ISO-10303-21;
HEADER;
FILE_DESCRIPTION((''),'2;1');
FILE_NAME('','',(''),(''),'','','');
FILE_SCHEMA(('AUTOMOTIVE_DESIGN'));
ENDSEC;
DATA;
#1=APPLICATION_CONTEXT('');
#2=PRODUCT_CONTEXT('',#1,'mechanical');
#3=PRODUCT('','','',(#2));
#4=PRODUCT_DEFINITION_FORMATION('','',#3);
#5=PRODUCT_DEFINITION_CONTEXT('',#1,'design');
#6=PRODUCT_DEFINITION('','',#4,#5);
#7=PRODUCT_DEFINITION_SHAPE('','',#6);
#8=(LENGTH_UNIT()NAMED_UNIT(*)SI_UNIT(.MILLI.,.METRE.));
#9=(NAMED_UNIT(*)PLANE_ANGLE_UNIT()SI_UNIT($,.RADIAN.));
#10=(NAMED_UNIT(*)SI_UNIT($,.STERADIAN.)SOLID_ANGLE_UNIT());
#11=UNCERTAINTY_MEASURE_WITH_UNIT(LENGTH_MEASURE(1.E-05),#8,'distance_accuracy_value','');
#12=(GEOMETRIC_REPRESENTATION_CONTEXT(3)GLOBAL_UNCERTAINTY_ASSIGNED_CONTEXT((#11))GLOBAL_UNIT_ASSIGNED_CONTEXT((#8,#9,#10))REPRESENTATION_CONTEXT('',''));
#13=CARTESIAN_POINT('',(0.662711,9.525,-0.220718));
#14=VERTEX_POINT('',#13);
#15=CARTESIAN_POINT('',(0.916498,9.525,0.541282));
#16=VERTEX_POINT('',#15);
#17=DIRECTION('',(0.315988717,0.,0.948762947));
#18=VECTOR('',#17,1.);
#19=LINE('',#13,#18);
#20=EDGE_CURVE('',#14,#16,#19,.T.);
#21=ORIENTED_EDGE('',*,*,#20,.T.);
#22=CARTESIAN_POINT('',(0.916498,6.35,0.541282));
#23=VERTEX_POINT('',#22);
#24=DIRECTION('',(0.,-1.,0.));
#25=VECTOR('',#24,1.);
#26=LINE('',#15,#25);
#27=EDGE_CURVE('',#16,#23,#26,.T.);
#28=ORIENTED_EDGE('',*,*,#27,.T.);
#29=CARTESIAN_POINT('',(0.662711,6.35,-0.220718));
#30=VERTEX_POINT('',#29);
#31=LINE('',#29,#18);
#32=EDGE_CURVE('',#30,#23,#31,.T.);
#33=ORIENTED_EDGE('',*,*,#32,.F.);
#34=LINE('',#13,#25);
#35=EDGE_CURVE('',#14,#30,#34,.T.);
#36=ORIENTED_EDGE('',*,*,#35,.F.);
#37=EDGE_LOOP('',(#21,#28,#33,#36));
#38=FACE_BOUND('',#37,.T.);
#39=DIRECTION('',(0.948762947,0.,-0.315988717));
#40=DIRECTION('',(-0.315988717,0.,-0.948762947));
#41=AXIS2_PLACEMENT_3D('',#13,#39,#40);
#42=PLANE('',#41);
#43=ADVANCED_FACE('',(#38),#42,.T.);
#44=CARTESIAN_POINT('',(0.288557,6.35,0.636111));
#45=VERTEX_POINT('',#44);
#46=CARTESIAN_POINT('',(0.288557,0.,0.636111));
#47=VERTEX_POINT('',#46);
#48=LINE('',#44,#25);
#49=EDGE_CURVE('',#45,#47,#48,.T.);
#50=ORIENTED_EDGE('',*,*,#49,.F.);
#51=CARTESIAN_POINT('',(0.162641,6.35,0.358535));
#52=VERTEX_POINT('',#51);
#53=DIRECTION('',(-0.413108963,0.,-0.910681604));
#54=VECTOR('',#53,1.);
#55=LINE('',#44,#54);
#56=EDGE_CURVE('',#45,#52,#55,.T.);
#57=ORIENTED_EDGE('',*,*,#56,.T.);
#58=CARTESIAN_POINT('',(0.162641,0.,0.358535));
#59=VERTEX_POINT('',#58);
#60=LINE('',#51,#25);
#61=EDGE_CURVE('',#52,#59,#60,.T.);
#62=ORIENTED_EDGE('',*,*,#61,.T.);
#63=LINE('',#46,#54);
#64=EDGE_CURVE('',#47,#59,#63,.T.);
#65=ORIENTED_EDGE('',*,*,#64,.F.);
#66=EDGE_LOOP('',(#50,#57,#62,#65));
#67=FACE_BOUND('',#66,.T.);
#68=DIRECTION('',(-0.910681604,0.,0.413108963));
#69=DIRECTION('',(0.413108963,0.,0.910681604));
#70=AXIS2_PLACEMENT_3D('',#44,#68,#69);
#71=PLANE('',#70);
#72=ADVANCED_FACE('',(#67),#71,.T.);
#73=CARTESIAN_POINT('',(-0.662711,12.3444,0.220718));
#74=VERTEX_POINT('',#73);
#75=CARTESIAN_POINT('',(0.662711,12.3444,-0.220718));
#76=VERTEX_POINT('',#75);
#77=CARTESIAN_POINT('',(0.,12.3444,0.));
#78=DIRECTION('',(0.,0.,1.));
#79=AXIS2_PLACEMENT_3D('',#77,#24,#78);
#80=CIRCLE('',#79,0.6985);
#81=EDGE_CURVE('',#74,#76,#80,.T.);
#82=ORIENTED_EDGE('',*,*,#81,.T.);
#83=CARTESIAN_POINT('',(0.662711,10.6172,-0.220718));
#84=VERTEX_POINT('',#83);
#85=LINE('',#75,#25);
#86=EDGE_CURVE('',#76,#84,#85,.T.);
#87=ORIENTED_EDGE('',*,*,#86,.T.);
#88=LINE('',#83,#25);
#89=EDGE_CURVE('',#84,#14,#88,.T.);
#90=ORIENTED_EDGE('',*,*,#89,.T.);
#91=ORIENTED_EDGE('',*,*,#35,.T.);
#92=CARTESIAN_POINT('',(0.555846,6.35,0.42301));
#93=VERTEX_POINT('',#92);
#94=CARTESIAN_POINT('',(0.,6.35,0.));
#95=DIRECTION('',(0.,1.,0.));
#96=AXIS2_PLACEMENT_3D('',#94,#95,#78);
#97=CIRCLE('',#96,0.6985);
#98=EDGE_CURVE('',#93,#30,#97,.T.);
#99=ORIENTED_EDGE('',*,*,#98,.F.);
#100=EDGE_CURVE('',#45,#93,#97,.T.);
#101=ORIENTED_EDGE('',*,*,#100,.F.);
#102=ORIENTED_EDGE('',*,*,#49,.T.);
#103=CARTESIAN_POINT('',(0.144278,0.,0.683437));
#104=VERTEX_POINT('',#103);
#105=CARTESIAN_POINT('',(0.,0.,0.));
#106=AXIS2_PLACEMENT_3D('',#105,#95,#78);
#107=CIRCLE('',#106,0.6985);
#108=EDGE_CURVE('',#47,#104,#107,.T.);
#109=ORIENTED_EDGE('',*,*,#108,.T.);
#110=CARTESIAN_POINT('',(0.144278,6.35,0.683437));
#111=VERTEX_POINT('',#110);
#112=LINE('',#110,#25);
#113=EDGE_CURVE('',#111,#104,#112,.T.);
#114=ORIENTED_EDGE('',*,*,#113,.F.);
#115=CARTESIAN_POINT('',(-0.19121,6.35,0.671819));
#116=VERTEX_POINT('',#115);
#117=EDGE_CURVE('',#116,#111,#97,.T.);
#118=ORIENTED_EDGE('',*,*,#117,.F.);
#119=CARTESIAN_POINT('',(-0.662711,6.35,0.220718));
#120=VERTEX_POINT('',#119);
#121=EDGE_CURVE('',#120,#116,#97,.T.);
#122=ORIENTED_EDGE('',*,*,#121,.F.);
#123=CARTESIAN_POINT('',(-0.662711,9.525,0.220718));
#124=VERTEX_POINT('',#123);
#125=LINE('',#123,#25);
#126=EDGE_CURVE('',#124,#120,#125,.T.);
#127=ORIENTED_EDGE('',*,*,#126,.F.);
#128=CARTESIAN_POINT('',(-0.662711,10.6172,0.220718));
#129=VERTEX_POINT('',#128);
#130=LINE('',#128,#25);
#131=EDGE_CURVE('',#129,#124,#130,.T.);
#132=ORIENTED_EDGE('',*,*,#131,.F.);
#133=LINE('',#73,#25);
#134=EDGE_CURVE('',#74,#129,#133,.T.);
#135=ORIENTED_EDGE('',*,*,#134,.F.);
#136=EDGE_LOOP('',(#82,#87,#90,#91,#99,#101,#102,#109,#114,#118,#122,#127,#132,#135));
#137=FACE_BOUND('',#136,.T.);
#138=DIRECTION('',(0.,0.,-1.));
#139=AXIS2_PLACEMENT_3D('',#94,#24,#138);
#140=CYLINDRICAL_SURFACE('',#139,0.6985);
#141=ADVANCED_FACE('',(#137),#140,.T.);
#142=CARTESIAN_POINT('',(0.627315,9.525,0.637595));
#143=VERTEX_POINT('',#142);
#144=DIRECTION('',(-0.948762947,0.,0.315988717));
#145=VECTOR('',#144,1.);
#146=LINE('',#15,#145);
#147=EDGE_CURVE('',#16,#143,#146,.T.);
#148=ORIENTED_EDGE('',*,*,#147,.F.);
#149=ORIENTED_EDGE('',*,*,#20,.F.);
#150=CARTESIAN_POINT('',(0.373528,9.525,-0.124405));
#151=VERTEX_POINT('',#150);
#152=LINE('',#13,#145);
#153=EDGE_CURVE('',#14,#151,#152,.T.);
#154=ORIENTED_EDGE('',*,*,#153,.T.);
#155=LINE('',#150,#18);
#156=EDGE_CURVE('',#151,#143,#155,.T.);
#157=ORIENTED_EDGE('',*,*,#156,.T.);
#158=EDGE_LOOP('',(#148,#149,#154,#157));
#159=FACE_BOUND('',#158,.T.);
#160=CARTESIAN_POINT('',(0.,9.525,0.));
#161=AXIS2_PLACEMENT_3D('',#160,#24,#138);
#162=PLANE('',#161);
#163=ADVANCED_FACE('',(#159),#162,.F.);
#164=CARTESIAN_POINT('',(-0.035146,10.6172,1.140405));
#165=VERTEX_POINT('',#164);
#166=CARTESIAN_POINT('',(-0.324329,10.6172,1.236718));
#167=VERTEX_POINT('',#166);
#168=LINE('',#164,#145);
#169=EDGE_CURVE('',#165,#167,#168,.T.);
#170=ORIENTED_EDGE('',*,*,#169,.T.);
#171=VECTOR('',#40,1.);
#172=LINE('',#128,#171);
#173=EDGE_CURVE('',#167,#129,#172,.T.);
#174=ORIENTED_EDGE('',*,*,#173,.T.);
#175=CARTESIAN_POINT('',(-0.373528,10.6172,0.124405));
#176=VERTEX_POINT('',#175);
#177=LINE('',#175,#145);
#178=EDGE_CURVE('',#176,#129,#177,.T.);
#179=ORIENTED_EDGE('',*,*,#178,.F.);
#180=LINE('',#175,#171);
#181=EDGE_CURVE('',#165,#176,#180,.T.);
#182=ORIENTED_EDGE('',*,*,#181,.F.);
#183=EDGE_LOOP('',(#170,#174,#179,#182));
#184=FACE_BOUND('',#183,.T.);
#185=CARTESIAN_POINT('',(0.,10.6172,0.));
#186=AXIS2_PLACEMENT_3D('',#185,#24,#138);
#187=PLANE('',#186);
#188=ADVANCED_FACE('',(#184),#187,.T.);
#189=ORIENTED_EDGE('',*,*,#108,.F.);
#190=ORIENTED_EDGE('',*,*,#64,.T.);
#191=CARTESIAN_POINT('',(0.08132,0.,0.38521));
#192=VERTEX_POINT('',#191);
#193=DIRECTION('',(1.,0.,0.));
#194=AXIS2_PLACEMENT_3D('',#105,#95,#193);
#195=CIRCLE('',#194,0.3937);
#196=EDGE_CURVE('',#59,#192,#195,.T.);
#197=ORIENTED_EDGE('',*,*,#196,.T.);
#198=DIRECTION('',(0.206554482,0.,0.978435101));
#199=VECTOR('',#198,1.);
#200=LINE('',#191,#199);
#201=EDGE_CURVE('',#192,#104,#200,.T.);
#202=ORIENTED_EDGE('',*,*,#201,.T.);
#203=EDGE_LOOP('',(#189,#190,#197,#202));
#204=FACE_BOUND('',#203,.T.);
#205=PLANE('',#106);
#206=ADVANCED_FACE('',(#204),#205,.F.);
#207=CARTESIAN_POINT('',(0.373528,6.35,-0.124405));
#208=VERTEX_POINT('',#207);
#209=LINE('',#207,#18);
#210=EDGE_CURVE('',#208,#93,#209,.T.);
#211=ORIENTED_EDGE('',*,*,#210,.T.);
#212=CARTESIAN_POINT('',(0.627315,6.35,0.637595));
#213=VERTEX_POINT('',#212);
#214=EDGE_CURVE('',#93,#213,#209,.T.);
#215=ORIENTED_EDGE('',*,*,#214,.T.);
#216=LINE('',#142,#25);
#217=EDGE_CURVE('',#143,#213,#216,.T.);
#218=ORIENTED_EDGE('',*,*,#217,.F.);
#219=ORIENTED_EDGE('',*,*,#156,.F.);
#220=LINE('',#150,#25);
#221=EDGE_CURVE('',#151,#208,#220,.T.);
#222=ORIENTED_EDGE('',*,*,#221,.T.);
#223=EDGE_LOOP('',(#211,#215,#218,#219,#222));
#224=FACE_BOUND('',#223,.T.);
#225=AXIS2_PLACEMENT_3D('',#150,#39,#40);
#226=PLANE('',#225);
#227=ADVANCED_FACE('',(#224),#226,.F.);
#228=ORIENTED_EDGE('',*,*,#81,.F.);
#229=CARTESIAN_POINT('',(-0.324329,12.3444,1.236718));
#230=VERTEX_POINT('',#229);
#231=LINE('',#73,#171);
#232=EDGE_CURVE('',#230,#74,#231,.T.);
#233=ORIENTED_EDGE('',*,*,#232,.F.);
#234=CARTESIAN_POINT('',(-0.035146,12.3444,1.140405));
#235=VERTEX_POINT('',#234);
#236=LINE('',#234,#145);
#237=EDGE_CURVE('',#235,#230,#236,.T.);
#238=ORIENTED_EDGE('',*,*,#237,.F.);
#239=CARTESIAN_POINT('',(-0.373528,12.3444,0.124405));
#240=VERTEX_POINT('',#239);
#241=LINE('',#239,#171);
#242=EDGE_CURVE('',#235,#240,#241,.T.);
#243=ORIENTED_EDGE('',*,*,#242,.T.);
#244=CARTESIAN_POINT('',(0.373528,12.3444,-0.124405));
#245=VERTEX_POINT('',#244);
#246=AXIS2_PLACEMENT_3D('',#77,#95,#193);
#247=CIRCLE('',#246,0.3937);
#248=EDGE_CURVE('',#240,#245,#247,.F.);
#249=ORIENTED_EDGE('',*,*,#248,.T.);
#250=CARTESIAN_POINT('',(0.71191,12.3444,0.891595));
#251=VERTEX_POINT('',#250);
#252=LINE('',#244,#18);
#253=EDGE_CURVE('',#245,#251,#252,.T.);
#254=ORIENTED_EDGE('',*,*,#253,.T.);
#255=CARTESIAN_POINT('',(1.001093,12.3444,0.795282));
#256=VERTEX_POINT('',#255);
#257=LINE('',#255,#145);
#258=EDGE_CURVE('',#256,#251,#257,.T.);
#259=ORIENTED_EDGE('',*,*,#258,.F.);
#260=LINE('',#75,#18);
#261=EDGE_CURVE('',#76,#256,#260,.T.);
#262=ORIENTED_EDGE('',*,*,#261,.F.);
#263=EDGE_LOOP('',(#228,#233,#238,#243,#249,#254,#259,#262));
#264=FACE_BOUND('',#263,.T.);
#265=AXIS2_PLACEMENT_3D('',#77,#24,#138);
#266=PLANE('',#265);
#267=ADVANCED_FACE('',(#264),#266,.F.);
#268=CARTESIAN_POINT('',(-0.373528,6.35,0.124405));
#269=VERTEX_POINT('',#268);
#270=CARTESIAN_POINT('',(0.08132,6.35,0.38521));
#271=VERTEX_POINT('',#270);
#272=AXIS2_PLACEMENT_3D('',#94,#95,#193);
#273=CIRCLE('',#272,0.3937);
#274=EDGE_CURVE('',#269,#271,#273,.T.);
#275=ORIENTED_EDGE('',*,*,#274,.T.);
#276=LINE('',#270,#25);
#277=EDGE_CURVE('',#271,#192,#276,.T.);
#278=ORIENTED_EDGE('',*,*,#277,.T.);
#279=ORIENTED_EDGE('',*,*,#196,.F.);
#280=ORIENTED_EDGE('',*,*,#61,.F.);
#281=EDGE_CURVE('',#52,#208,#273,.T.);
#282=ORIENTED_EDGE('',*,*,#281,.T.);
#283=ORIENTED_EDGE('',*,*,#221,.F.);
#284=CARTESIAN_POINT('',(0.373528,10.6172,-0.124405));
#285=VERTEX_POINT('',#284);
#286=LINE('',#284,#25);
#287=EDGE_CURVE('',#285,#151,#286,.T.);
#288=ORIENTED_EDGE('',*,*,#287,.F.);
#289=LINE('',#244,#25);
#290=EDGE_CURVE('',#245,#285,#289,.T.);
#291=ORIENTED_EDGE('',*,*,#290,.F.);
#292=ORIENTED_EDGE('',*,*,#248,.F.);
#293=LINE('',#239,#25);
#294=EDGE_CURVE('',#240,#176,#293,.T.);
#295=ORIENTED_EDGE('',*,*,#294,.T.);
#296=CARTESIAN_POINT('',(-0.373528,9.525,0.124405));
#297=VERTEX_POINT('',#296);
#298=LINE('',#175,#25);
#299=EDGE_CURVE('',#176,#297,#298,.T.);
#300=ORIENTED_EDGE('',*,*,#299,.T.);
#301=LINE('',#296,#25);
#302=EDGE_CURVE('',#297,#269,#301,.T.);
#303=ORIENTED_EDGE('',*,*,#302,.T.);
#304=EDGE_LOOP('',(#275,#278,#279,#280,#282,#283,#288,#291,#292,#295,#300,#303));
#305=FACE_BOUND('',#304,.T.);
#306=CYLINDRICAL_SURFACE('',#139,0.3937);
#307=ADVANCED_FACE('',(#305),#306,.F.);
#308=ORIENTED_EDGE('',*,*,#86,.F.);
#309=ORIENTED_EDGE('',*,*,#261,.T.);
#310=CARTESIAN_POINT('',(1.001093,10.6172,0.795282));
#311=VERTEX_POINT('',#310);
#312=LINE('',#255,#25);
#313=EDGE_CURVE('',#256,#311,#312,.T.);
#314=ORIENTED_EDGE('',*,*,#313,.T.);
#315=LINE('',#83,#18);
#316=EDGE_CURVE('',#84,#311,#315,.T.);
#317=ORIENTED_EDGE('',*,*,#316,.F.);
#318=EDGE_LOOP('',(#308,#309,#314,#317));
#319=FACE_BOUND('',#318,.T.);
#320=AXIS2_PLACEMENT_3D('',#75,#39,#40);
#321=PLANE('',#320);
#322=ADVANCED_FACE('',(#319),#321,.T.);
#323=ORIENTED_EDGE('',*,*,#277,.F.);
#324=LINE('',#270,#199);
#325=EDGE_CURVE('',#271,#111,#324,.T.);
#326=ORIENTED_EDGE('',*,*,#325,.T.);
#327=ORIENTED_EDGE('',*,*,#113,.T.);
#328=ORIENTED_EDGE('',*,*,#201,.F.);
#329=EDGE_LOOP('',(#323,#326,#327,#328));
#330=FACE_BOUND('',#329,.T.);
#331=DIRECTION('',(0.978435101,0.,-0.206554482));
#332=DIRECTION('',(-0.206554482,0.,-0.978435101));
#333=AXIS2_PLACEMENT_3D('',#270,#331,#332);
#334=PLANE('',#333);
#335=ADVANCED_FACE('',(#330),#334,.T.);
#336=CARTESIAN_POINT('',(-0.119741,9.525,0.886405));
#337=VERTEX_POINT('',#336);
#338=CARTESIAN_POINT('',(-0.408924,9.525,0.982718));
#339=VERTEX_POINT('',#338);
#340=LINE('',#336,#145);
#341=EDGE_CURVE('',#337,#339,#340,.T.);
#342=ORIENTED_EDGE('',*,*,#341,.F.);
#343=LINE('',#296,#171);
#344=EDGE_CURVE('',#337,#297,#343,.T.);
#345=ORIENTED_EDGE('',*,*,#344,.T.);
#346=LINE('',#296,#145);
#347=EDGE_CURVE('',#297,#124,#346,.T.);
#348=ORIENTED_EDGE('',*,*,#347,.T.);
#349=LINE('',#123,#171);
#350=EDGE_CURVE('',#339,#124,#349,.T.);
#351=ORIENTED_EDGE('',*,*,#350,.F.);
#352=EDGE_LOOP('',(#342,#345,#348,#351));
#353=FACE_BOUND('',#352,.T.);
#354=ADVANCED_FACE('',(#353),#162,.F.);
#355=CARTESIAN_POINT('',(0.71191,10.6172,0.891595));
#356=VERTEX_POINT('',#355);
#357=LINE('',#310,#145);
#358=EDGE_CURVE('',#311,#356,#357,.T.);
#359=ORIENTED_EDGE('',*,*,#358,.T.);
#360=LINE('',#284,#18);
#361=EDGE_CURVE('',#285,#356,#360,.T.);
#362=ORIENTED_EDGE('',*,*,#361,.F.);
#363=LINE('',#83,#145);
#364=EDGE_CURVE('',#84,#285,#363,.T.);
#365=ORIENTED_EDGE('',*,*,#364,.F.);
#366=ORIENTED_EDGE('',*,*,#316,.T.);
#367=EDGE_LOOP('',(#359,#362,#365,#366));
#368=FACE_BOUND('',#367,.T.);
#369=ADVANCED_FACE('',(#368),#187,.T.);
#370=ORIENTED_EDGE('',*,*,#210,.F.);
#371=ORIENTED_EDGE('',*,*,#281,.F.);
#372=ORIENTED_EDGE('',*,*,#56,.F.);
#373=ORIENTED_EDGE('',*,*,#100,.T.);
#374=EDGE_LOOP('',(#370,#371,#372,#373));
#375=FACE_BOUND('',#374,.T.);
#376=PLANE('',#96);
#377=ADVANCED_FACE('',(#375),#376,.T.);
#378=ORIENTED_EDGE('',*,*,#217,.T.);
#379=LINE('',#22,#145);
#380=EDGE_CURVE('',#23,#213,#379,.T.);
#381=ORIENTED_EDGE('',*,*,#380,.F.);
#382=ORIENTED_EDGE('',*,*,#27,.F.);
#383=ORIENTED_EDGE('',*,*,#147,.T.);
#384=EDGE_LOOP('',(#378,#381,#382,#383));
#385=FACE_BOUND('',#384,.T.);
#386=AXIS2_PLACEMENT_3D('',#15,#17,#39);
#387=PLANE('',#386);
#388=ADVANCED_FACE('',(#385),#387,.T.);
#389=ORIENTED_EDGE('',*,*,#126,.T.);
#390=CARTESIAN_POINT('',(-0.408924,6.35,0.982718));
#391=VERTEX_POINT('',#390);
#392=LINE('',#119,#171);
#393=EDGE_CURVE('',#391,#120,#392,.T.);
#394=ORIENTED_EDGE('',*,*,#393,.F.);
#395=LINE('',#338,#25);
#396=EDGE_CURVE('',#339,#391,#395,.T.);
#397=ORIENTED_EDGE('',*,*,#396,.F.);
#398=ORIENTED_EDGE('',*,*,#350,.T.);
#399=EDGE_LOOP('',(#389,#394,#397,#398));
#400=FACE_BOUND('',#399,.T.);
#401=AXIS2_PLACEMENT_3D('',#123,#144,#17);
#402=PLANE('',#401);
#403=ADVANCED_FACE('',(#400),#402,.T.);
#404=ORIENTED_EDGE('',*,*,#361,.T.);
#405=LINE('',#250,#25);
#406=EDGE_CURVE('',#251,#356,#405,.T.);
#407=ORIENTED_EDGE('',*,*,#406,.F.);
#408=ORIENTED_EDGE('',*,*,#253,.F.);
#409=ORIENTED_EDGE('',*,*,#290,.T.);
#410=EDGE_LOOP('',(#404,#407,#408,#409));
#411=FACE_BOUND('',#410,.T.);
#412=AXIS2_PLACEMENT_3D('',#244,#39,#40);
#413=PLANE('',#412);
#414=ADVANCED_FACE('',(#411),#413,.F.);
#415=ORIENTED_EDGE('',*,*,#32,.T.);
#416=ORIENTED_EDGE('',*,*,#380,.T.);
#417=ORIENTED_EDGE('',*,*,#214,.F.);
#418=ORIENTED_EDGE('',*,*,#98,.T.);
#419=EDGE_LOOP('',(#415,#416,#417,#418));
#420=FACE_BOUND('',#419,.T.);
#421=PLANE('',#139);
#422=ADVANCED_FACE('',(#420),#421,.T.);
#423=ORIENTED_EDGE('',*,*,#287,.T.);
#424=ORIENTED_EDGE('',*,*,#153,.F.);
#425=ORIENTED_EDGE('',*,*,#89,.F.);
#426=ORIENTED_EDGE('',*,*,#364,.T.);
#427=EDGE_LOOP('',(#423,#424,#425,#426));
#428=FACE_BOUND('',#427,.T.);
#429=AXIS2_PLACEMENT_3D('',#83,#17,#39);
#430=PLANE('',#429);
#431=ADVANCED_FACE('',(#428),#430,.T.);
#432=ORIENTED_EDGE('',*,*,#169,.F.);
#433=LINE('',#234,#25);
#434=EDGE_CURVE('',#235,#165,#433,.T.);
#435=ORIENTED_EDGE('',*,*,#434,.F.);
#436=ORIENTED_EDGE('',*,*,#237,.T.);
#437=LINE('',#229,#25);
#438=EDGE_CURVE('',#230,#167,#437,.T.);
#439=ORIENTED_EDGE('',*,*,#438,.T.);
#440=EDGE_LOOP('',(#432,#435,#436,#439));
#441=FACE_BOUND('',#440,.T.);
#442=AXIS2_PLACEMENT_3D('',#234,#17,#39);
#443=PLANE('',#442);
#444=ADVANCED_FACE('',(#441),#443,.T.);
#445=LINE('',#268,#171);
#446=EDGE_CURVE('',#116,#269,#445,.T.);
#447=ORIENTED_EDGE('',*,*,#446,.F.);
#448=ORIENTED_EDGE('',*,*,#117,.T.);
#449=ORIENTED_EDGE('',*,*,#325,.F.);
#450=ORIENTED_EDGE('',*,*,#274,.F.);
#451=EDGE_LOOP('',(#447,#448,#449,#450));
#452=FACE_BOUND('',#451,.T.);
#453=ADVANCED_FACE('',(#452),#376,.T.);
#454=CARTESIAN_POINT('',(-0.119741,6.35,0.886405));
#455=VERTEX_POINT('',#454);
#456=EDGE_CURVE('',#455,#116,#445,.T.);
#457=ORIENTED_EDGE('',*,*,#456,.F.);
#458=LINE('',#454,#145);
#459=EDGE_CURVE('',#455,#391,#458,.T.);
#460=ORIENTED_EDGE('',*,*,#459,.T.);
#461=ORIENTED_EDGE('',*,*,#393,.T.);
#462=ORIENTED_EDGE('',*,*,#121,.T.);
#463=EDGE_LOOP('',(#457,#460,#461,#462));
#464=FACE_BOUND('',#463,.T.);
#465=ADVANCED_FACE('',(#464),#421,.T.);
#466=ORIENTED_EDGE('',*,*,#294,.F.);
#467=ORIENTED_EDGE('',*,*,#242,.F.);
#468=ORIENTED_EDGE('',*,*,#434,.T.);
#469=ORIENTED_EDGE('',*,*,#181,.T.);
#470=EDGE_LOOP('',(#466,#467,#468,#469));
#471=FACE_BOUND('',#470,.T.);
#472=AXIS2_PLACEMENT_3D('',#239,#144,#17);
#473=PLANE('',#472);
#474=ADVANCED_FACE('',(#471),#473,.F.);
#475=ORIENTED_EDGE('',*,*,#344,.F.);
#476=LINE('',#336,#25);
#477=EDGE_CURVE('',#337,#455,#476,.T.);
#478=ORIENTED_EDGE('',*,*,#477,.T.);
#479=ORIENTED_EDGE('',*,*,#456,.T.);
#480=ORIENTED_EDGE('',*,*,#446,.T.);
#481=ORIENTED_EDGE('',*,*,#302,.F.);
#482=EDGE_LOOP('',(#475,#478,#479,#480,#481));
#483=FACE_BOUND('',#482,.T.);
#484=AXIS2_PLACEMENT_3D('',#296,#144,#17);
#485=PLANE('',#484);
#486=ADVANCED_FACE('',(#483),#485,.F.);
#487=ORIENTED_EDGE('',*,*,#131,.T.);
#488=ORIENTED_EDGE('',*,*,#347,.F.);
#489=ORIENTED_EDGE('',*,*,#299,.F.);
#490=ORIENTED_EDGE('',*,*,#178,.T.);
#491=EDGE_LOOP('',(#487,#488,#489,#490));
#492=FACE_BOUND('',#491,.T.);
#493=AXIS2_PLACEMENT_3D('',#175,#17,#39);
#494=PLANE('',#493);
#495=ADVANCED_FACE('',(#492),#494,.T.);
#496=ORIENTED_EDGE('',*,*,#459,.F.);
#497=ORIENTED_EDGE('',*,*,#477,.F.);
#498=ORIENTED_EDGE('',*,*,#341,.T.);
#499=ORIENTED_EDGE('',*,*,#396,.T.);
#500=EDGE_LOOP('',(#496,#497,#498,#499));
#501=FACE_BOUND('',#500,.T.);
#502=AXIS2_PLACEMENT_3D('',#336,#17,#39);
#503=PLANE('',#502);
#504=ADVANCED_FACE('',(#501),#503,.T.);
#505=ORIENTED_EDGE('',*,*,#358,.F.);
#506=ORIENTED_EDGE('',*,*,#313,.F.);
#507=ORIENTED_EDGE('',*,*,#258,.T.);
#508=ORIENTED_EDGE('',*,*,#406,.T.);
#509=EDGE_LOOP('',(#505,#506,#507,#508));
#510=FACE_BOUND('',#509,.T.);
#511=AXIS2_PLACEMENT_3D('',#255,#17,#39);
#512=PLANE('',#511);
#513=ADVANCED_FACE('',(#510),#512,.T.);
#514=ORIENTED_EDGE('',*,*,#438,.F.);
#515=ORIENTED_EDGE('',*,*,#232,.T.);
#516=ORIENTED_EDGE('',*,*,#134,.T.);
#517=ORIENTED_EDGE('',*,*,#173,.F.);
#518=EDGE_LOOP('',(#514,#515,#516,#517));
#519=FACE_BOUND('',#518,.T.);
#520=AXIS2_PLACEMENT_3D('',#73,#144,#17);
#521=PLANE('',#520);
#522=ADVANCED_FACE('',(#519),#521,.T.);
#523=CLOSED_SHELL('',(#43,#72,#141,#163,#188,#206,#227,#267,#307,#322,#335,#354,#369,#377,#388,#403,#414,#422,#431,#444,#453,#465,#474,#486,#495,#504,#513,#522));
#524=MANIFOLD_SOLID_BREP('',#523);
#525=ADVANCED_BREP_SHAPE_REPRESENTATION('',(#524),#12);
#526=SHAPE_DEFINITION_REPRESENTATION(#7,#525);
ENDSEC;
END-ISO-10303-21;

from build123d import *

# Parameters (mm, degrees)
EXTRUDE_THIN1_DEPTH = 6.35
EXTRUDE_THIN2_DEPTH = 3.175
EXTRUDE_THIN3_DEPTH = 1.0922
EXTRUDE_THIN4_DEPTH = 1.7272


with BuildPart() as part:
    # Sketch1 → Extrude-Thin1 (new body)
    with BuildSketch(Plane(origin=(0, 0, 0), x_dir=(1, 0, 0), z_dir=(0, 1, 0))):
        with BuildLine():
            ThreePointArc((0.288556611, -0.636111101), (-0.217707256, 0.66370611), (0.144278305, -0.683436918))
            Line((0.144278305, -0.683436918), (0.081320499, -0.385209899))
            ThreePointArc((0.081320499, -0.385209899), (-0.122707726, 0.374088898), (0.162640999, -0.358535348))
            Line((0.162640999, -0.358535348), (0.288556611, -0.636111101))
        make_face()
    extrude(amount=EXTRUDE_THIN1_DEPTH)

    # Sketch2 → Extrude-Thin2 (add)
    with BuildSketch(Plane(origin=(0, 6.35, 0), x_dir=(1, 0, 0), z_dir=(0, 1, 0))):
        with BuildLine():
            Line((0.916497603, -0.541281881), (0.662710919, 0.220718119))
            ThreePointArc((0.662710919, 0.220718119), (-0.220718119, 0.662710919), (-0.662710919, -0.220718119))
            Line((-0.662710919, -0.220718119), (-0.408924235, -0.982718119))
            Line((-0.408924235, -0.982718119), (-0.119741288, -0.886404758))
            Line((-0.119741288, -0.886404758), (-0.373527972, -0.124404758))
            ThreePointArc((-0.373527972, -0.124404758), (-0.124404758, 0.373527972), (0.373527972, 0.124404758))
            Line((0.373527972, 0.124404758), (0.627314657, -0.637595242))
            Line((0.627314657, -0.637595242), (0.916497603, -0.541281881))
        make_face()
    extrude(amount=EXTRUDE_THIN2_DEPTH)

    # Sketch3 → Extrude-Thin3 (add)
    with BuildSketch(Plane(origin=(0, 9.525, 0), x_dir=(1, 0, 0), z_dir=(0, 1, 0))):
        with BuildLine():
            ThreePointArc((0.662710919, 0.220718119), (-0.220718119, 0.662710919), (-0.662710919, -0.220718119))
            Line((-0.662710919, -0.220718119), (-0.373527972, -0.124404758))
            ThreePointArc((-0.373527972, -0.124404758), (-0.124404758, 0.373527972), (0.373527972, 0.124404758))
            Line((0.373527972, 0.124404758), (0.662710919, 0.220718119))
        make_face()
    extrude(amount=EXTRUDE_THIN3_DEPTH)

    # Sketch4 → Extrude-Thin4 (add)
    with BuildSketch(Plane(origin=(0, 10.6172, 0), x_dir=(1, 0, 0), z_dir=(0, 1, 0))):
        with BuildLine():
            Line((1.001093165, -0.795281881), (0.662710919, 0.220718119))
            ThreePointArc((0.662710919, 0.220718119), (-0.220718119, 0.662710919), (-0.662710919, -0.220718119))
            Line((-0.662710919, -0.220718119), (-0.324328673, -1.236718119))
            Line((-0.324328673, -1.236718119), (-0.035145727, -1.140404758))
            Line((-0.035145727, -1.140404758), (-0.373527972, -0.124404758))
            ThreePointArc((-0.373527972, -0.124404758), (-0.124404758, 0.373527972), (0.373527972, 0.124404758))
            Line((0.373527972, 0.124404758), (0.711910218, -0.891595242))
            Line((0.711910218, -0.891595242), (1.001093165, -0.795281881))
        make_face()
    extrude(amount=EXTRUDE_THIN4_DEPTH)


solid = part.part
